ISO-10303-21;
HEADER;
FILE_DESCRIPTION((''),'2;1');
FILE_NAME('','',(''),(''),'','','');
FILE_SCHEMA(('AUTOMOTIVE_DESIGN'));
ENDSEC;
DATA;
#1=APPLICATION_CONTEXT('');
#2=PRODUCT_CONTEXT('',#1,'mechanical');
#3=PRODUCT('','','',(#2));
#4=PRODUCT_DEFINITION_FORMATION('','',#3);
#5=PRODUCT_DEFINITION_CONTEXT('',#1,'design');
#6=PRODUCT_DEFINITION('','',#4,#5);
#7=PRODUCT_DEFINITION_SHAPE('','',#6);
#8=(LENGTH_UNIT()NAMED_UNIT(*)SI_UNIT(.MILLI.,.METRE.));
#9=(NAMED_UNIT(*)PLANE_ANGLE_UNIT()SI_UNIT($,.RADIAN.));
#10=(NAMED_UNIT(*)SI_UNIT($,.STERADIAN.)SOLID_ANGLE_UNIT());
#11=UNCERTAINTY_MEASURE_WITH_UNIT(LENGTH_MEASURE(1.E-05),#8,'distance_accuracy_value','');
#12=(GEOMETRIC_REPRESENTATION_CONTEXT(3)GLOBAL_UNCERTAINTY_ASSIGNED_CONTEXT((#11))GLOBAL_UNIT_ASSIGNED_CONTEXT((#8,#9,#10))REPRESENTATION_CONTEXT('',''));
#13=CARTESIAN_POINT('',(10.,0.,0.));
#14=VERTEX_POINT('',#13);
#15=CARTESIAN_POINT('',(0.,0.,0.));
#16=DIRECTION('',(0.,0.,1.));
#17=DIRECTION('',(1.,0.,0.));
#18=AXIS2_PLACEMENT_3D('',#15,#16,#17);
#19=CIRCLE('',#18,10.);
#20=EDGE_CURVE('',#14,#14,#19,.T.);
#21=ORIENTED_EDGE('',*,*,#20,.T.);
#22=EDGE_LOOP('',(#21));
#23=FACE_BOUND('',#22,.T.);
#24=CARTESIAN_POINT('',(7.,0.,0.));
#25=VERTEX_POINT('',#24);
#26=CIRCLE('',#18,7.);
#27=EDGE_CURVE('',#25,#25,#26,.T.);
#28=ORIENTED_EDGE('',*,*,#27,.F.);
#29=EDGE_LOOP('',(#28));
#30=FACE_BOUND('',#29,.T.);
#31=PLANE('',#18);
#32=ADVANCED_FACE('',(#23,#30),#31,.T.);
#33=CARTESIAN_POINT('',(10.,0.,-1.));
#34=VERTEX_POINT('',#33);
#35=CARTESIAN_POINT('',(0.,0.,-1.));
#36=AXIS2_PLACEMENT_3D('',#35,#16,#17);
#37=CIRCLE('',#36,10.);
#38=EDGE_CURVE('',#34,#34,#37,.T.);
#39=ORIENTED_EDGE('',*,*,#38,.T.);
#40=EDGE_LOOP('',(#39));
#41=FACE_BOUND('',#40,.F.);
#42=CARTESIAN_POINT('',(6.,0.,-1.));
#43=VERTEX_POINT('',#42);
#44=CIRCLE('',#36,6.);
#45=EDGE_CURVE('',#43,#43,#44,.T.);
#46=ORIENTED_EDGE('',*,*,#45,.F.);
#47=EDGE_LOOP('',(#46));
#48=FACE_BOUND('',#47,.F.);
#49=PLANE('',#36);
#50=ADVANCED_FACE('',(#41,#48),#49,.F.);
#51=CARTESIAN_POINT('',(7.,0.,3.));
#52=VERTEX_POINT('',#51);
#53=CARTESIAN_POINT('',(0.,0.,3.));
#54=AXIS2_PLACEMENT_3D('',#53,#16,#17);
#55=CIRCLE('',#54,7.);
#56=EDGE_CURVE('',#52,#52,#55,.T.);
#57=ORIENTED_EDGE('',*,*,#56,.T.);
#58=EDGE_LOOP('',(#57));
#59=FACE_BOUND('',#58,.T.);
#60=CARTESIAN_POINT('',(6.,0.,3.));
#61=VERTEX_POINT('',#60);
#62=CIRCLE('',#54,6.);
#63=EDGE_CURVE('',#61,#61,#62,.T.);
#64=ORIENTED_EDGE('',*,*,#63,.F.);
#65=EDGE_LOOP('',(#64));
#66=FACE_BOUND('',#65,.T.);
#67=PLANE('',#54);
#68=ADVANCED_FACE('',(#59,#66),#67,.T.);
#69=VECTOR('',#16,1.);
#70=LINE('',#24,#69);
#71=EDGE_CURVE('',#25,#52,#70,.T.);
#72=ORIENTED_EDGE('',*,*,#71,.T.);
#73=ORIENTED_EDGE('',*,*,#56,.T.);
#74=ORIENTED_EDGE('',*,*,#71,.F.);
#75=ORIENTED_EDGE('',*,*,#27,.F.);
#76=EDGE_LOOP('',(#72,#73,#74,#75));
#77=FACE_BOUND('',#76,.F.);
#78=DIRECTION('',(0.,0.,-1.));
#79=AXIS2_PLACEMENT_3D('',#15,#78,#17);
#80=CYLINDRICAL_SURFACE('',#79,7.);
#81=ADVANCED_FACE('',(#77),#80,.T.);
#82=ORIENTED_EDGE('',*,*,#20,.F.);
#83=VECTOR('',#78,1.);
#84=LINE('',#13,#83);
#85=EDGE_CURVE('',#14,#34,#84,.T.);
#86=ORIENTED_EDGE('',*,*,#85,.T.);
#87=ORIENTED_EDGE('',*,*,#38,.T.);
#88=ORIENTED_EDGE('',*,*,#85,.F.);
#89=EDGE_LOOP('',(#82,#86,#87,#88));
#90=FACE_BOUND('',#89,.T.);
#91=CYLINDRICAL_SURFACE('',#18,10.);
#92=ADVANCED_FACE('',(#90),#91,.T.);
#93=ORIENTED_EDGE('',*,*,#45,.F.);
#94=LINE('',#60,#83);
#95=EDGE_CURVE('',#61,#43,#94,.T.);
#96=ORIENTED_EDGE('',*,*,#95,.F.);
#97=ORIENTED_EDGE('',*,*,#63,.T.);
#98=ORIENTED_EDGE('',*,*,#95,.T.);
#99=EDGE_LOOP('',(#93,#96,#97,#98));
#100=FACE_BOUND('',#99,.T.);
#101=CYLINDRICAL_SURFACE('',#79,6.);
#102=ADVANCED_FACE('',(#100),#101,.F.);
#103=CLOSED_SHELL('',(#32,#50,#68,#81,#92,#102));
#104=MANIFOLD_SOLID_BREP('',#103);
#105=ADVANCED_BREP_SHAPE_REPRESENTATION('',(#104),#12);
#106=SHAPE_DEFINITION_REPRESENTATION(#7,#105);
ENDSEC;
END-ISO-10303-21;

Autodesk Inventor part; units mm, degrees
ref_plane "YZ Plane" through (0, 0, 0) normal (1, 0, 0) x (0, 1, 0)
ref_plane "XZ Plane" through (0, 0, 0) normal (0, 1, 0) x (-1, 0, 0)
ref_plane "XY Plane" through (0, 0, 0) normal (0, 0, 1) x (1, 0, 0)
sketch "スケッチ1" plane through (0, 0, 0) normal (0, 0, 1) x (1, 0, 0)
  circle A0 centre (0, 0) radius 7
  circle A1 centre (0, 0) radius 6
  circle A2 centre (0, 0) radius 10
  dimension "d0" = 14
  dimension "d1" = 12
  dimension "d2" = 20
extrude "押し出し1" add sketch "スケッチ1" along normal blind 3 contours A0
extrude "押し出し2" add sketch "スケッチ1" against normal blind 1 contours A0 | A2
properties part number "オイレス　内径12" material "アセタール樹脂、黒"
